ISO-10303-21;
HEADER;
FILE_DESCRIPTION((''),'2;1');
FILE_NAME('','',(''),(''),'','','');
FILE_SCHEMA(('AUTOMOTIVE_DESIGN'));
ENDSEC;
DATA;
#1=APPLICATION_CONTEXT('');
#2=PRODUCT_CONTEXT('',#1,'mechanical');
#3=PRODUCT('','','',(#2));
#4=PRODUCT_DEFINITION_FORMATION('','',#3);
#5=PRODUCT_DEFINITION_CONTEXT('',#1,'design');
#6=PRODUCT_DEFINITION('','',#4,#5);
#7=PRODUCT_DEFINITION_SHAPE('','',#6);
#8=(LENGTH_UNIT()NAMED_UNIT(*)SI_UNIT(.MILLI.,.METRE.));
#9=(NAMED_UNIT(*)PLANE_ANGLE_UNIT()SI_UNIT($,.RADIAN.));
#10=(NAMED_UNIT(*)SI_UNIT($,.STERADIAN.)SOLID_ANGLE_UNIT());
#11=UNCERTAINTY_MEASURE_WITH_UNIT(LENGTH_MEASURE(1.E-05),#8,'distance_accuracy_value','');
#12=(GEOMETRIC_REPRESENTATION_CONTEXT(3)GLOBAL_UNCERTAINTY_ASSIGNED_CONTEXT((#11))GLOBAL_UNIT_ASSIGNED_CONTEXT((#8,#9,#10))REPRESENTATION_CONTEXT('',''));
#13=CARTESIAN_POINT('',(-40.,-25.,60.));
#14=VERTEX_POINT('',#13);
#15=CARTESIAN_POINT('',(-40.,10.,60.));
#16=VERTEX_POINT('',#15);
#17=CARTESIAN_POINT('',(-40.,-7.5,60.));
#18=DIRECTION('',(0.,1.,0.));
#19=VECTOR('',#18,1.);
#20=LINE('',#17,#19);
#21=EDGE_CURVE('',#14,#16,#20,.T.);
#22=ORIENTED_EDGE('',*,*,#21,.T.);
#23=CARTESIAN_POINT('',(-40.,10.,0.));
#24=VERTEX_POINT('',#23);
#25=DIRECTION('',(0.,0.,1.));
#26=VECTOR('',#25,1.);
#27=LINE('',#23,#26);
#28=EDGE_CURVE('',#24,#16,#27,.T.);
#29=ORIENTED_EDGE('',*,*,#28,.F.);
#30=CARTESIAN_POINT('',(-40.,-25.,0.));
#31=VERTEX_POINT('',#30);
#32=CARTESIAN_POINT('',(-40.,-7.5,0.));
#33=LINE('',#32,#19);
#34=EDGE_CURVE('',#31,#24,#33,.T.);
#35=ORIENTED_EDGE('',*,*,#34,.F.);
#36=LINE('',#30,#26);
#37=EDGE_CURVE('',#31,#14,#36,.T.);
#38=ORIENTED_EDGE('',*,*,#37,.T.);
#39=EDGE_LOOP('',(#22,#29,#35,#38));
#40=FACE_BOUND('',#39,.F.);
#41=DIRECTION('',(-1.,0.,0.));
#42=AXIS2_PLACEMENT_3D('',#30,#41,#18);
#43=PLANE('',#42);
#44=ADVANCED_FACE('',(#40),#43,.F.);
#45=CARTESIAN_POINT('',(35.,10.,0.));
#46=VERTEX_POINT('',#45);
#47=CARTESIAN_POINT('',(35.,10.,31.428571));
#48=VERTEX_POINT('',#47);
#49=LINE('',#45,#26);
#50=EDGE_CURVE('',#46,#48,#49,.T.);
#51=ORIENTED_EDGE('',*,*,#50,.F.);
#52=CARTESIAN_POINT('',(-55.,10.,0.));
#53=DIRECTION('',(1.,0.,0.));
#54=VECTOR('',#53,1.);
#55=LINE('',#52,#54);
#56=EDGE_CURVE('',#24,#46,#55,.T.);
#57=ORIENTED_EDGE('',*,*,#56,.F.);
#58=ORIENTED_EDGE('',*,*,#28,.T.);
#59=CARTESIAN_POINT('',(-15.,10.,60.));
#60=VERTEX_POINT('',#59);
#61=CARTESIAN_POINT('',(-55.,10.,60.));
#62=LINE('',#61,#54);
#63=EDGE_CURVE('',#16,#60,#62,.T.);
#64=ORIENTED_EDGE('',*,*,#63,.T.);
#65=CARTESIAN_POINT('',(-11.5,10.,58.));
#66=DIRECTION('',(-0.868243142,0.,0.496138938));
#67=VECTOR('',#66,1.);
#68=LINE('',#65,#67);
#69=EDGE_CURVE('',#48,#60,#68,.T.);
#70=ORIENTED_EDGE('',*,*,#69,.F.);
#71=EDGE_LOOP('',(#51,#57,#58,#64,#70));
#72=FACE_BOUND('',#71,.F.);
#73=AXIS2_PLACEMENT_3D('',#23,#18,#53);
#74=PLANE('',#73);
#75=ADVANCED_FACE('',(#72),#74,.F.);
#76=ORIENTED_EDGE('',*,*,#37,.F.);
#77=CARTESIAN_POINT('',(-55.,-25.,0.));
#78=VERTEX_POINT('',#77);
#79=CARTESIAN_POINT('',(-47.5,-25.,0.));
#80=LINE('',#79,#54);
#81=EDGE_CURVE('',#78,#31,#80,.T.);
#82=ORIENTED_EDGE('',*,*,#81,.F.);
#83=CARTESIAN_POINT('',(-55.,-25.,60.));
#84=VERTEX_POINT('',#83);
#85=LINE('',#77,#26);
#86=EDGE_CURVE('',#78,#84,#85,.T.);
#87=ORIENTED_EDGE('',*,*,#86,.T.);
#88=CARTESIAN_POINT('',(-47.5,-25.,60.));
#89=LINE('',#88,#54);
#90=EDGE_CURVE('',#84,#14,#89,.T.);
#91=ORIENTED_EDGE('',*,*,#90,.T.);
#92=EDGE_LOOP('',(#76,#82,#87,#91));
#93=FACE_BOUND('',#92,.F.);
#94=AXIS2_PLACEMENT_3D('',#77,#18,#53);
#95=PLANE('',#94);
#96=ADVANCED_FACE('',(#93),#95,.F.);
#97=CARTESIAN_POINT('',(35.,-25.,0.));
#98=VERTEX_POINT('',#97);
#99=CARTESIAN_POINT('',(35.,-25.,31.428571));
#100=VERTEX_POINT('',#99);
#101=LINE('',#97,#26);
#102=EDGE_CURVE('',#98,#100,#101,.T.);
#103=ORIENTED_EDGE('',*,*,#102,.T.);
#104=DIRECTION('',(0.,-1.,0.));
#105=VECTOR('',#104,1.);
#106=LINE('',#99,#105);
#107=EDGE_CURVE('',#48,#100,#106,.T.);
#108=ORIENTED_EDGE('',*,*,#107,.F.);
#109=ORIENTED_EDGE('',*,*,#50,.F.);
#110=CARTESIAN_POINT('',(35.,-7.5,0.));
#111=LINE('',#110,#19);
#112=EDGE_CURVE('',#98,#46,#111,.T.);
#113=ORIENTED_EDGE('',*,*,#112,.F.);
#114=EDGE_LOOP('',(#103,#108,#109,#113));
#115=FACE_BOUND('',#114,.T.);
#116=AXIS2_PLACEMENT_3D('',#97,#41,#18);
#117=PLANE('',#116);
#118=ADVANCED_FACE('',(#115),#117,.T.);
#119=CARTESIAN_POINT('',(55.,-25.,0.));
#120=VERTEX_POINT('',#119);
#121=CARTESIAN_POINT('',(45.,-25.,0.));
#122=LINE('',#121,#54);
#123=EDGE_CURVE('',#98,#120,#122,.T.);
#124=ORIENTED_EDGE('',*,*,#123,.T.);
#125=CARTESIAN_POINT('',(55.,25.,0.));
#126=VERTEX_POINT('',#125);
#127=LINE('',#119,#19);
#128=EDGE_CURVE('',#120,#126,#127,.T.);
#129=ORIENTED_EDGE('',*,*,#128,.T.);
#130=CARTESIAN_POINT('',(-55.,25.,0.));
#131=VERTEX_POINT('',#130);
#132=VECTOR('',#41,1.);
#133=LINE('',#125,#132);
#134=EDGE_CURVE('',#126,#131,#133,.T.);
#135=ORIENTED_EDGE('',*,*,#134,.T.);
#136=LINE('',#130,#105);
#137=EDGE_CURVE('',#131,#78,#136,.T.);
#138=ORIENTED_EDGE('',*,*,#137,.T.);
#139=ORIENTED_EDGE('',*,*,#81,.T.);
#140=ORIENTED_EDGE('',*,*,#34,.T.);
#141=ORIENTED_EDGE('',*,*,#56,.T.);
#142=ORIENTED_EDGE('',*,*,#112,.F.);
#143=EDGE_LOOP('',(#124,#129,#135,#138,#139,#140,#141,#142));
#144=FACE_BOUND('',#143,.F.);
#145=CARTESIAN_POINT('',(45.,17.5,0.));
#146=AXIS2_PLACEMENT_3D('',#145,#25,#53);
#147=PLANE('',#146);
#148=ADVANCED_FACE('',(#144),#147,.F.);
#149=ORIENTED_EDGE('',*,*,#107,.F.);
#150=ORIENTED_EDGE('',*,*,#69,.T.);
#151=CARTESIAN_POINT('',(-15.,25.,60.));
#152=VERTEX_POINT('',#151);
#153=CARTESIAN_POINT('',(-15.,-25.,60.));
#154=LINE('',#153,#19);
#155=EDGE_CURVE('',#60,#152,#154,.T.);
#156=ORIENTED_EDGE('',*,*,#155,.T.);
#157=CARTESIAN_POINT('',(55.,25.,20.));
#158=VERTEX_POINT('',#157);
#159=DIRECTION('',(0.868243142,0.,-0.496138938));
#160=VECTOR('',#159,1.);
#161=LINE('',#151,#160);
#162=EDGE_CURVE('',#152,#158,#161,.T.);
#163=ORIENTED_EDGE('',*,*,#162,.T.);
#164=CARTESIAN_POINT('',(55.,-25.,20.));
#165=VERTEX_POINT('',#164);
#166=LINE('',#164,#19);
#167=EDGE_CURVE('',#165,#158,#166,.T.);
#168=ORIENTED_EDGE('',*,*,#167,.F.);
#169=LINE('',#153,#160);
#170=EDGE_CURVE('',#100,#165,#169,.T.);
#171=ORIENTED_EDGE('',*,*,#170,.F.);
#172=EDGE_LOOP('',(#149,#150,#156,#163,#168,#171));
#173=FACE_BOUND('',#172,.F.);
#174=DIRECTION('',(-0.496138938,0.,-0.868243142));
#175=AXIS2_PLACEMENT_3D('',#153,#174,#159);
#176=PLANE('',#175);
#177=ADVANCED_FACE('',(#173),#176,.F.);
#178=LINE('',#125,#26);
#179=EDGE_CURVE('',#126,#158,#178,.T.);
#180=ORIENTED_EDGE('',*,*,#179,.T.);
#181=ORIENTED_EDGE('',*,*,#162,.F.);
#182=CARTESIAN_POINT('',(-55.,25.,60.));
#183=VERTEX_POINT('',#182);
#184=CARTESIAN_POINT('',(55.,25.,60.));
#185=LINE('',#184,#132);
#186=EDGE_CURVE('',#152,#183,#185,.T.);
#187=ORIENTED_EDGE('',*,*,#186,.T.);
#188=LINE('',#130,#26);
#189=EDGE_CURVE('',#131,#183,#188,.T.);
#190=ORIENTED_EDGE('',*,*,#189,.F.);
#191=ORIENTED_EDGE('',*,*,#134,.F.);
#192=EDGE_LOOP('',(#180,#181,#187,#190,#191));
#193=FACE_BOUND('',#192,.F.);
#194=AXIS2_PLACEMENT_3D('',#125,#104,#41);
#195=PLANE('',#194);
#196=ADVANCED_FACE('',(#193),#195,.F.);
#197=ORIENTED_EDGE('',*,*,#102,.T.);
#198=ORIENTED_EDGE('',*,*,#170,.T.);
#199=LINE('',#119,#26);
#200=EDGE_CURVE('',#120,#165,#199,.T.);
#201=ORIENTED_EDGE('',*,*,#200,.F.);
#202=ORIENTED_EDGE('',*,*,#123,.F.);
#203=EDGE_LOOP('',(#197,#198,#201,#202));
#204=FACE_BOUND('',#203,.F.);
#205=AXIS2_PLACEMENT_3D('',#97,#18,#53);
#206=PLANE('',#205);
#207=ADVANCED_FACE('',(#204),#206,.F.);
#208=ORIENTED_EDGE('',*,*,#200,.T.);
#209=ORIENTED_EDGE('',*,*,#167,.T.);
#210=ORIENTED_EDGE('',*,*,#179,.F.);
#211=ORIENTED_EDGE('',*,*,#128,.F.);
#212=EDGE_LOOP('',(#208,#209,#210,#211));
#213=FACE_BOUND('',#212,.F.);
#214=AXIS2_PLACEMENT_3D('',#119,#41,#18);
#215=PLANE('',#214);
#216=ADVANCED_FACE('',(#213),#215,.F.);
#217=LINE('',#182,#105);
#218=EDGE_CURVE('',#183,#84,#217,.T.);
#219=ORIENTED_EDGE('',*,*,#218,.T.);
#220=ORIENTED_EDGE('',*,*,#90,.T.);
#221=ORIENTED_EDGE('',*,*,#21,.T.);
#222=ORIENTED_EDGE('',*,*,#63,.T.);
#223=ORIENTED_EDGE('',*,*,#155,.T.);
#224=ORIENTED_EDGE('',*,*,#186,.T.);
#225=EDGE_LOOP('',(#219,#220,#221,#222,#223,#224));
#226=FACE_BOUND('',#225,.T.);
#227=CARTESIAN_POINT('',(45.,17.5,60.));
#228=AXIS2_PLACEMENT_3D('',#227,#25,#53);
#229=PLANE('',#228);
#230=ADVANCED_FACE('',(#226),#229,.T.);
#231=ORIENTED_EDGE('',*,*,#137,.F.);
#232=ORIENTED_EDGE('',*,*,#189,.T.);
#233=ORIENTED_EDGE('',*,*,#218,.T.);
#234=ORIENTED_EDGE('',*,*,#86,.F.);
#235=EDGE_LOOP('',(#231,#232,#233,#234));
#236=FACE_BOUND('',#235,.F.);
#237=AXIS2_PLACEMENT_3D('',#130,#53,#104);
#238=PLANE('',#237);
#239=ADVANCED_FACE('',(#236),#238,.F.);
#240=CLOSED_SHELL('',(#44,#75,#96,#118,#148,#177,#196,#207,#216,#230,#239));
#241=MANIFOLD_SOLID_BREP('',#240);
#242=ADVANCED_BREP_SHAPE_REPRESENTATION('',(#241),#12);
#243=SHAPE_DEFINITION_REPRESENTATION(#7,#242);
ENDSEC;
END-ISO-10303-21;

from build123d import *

# Parameters (mm, degrees)
F0_W     = 20
F0_H     = 15
F0_W_2   = 75
F0_H_2   = 35
F0_W_3   = 15
F1_DEPTH = 60
F3_DEPTH = 50


with BuildPart() as f1:
    # F0 (on Top) → F1 (new body)
    with BuildSketch(Plane.XY):
        with Locations((45, 17.5)):
            Rectangle(F0_W, F0_H)
        with Locations((-2.5, 17.5)):
            Rectangle(F0_W_2, F0_H)
        with Locations((45, -7.5)):
            Rectangle(F0_W, F0_H_2)
        with Locations((-47.5, 17.5)):
            Rectangle(F0_W_3, F0_H)
        with Locations((-47.5, -7.5)):
            Rectangle(F0_W_3, F0_H_2)
    extrude(amount=F1_DEPTH)

    # F2 (on face) → F3 (cut)
    with BuildSketch(Plane.XZ.offset(25)):
        Polygon((55, 60), (-15, 60), (55, 20), align=None)
    extrude(amount=-F3_DEPTH, mode=Mode.SUBTRACT)


solid = f1.part
